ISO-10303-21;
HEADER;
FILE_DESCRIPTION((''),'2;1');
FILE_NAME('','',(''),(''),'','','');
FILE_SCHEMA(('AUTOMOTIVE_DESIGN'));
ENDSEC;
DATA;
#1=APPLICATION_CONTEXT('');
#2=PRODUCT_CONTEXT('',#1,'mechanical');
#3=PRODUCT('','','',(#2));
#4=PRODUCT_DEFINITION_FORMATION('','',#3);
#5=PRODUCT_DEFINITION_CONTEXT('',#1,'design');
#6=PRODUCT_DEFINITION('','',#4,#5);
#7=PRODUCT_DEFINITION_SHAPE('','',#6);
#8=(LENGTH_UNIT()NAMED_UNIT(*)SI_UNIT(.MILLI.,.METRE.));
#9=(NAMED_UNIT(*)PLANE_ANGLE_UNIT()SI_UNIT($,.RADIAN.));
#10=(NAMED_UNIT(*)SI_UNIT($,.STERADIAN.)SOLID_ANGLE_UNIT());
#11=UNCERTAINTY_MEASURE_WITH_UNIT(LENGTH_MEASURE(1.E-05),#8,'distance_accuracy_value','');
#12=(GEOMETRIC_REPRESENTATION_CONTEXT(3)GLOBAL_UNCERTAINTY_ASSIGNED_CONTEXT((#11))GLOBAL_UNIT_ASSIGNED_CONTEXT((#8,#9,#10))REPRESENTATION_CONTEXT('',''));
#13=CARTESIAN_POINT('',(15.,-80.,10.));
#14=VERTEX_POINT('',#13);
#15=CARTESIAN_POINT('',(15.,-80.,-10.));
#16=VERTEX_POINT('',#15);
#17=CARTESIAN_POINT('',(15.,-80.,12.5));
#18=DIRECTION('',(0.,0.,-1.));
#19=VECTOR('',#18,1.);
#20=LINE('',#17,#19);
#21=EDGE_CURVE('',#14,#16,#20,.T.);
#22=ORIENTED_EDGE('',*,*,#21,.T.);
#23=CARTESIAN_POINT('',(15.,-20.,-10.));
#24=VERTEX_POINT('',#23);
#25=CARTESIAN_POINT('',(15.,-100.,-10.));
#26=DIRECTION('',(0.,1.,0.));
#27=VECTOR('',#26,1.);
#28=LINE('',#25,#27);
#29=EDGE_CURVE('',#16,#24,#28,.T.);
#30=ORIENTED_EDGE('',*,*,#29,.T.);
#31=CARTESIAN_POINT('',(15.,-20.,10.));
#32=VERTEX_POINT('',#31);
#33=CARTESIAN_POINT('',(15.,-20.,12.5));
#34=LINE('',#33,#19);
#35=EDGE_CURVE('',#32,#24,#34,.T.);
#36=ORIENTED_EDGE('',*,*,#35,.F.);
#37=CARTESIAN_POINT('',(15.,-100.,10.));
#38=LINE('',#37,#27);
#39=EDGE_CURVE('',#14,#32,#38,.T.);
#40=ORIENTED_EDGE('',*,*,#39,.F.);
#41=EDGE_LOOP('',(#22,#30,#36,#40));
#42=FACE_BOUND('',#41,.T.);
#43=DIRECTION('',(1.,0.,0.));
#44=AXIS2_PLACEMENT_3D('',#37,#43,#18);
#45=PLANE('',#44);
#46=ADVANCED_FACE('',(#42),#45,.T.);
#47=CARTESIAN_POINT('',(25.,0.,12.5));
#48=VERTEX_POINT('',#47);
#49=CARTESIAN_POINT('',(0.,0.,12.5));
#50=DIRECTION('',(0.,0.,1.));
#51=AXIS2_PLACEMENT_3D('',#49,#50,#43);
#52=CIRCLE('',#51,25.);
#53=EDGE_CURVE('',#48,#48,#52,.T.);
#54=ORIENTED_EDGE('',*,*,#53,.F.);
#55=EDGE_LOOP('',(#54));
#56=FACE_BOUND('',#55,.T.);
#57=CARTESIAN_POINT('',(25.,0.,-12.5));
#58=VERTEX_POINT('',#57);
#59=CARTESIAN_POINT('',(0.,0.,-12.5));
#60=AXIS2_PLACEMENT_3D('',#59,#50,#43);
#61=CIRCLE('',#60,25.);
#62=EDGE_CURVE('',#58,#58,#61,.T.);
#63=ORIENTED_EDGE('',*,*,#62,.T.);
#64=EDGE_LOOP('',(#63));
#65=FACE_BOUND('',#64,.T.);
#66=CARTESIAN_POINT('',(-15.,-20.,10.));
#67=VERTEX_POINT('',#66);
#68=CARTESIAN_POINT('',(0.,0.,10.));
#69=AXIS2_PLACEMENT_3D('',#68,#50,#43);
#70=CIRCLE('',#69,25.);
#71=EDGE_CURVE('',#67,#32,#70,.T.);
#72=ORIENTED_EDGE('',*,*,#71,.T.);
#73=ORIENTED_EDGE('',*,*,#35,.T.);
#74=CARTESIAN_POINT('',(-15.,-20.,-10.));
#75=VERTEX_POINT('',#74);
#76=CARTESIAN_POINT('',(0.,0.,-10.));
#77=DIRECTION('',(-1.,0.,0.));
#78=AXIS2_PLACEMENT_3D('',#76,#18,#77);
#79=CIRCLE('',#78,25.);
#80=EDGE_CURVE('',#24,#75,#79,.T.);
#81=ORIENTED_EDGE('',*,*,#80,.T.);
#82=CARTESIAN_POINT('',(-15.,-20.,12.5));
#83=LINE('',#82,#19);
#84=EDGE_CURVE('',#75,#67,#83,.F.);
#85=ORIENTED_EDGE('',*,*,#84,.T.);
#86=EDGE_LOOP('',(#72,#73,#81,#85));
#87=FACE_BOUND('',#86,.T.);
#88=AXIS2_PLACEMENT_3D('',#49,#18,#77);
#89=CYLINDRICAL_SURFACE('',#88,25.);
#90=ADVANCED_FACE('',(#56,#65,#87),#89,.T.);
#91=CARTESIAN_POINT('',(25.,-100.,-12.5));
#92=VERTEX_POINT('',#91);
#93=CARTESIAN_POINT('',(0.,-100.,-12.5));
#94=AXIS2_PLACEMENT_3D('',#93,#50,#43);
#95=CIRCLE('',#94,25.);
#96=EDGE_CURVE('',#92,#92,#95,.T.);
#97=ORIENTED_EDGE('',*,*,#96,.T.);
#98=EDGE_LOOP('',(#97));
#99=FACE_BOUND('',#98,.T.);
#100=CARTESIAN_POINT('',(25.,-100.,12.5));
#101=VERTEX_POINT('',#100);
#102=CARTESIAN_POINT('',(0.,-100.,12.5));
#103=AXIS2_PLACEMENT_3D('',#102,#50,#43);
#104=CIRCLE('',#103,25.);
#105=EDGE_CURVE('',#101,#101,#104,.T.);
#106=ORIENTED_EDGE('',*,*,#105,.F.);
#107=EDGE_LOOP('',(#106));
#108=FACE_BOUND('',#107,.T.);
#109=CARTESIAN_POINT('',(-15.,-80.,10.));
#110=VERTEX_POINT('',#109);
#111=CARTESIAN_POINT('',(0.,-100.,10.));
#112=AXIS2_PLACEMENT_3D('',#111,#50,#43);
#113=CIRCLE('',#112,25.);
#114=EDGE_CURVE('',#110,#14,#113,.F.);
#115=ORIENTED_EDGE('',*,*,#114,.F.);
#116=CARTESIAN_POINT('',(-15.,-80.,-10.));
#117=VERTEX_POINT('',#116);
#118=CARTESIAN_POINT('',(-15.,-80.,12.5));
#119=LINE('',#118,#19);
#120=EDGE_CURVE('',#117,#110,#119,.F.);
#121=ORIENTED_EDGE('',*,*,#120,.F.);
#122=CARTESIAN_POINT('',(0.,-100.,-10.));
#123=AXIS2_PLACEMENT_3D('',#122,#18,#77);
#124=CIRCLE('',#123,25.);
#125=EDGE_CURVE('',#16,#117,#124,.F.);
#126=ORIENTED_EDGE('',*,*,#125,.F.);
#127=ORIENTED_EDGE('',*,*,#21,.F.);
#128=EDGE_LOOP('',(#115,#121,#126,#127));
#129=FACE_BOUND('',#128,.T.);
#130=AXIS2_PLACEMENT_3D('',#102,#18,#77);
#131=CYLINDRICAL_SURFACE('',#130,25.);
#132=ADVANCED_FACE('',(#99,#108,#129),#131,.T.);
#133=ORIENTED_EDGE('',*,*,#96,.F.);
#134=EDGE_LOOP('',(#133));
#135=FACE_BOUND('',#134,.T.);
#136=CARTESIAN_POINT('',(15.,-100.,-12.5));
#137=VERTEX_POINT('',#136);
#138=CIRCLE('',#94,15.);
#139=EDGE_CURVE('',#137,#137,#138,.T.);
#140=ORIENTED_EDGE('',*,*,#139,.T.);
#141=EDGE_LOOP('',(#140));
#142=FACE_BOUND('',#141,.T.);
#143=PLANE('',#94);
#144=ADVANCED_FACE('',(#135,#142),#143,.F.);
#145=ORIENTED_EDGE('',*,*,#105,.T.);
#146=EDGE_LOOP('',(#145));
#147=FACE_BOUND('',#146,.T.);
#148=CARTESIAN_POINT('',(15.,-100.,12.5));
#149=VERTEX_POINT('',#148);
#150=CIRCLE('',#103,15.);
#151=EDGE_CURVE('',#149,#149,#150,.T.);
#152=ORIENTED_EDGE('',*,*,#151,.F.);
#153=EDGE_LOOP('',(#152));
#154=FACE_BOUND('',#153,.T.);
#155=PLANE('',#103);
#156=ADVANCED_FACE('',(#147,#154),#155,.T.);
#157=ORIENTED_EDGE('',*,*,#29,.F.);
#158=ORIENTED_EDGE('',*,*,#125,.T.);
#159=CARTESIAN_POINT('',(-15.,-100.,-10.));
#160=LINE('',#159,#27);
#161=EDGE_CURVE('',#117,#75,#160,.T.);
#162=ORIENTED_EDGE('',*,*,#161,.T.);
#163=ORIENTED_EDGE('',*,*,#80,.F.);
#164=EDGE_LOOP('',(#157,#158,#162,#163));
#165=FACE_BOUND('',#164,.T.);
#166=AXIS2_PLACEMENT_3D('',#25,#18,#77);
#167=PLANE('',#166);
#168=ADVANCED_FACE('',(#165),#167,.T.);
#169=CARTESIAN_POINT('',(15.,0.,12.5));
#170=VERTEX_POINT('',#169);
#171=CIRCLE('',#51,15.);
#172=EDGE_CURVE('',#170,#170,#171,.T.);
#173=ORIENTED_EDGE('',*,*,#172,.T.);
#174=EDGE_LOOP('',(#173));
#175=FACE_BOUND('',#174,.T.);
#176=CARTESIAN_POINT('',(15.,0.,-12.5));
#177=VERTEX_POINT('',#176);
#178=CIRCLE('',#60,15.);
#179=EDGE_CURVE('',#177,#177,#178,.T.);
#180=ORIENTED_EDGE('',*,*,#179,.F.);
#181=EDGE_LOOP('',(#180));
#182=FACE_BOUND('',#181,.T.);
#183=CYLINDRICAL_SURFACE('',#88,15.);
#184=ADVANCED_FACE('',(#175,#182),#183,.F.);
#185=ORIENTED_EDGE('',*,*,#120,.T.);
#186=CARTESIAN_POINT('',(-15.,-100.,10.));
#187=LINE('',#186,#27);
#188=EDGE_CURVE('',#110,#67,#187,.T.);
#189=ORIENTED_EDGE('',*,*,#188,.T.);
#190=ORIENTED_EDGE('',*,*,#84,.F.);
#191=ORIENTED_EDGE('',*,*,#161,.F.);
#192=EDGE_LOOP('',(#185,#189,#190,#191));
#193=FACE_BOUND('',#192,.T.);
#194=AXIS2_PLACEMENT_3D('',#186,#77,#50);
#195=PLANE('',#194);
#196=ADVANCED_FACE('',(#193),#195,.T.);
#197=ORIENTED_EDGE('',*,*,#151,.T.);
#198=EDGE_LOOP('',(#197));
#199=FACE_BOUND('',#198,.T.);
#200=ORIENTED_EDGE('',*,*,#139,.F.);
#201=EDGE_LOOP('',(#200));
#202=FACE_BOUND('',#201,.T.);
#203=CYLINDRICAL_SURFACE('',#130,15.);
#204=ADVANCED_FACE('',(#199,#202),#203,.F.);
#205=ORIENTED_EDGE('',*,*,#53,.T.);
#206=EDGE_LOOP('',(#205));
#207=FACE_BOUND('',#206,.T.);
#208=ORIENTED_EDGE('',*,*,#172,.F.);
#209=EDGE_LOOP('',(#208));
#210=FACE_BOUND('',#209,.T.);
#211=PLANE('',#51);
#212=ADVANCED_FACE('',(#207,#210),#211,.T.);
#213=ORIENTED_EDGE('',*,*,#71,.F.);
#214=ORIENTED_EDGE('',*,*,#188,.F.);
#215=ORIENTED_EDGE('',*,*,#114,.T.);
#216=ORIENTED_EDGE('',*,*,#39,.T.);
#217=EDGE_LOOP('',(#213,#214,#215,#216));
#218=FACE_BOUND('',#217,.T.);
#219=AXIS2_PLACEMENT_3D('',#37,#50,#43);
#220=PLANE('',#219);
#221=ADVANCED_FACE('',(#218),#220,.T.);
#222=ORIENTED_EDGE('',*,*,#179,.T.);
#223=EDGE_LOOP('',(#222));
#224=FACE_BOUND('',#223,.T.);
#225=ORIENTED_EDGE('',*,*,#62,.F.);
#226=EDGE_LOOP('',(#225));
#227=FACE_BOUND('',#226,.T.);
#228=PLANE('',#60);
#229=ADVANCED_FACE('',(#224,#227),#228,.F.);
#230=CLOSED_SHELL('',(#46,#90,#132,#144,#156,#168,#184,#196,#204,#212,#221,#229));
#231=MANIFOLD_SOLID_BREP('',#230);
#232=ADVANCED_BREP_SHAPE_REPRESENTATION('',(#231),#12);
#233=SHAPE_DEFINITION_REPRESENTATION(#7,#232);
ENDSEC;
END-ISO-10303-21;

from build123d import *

# Parameters (mm, degrees)
SKETCH1_R               = 25
SKETCH1_R_2             = 15
BOSS_EXTRUDE1_DEPTH     = 12.5
SKETCH2_W               = 30
SKETCH2_H               = 20
BOSS_EXTRUDE2_DEPTH     = 100
SKETCH3_R               = 25
SKETCH3_R_2             = 15
BOSS_EXTRUDE3_DEPTH     = 12.5
CUT_EXTRUDE1_DEPTH      = 129.086884574
CUT_EXTRUDE1_DEPTH_BACK = 129.086884574
SKETCH4_R               = 15


with BuildPart() as part:
    # Sketch1 → Boss-Extrude1 (new, symmetric)
    with BuildSketch(Plane.XY):
        Circle(SKETCH1_R)
        Circle(SKETCH1_R_2, mode=Mode.SUBTRACT)
    extrude(amount=BOSS_EXTRUDE1_DEPTH, both=True)

    # Sketch2 → Boss-Extrude2 (add)
    with BuildSketch(Plane(origin=(0, 0, 0), x_dir=(1, 0, 0), z_dir=(0, 1, 0))):
        Rectangle(SKETCH2_W, SKETCH2_H)
    extrude(amount=-BOSS_EXTRUDE2_DEPTH)

    # Sketch3 → Boss-Extrude3 (add, symmetric)
    with BuildSketch(Plane.XY):
        with Locations((0, -100)):
            Circle(SKETCH3_R)
        with Locations((0, -100)):
            Circle(SKETCH3_R_2, mode=Mode.SUBTRACT)
    extrude(amount=BOSS_EXTRUDE3_DEPTH, both=True)

    # Sketch4 → Cut-Extrude1 (cut, two sides: drawn at the far end of the back side and taken through both)
    with BuildSketch(Plane.XY.offset(-CUT_EXTRUDE1_DEPTH_BACK)):
        Circle(SKETCH4_R)
        with Locations((0, -100)):
            Circle(SKETCH4_R)
    extrude(amount=CUT_EXTRUDE1_DEPTH + CUT_EXTRUDE1_DEPTH_BACK, mode=Mode.SUBTRACT)


solid = part.part
